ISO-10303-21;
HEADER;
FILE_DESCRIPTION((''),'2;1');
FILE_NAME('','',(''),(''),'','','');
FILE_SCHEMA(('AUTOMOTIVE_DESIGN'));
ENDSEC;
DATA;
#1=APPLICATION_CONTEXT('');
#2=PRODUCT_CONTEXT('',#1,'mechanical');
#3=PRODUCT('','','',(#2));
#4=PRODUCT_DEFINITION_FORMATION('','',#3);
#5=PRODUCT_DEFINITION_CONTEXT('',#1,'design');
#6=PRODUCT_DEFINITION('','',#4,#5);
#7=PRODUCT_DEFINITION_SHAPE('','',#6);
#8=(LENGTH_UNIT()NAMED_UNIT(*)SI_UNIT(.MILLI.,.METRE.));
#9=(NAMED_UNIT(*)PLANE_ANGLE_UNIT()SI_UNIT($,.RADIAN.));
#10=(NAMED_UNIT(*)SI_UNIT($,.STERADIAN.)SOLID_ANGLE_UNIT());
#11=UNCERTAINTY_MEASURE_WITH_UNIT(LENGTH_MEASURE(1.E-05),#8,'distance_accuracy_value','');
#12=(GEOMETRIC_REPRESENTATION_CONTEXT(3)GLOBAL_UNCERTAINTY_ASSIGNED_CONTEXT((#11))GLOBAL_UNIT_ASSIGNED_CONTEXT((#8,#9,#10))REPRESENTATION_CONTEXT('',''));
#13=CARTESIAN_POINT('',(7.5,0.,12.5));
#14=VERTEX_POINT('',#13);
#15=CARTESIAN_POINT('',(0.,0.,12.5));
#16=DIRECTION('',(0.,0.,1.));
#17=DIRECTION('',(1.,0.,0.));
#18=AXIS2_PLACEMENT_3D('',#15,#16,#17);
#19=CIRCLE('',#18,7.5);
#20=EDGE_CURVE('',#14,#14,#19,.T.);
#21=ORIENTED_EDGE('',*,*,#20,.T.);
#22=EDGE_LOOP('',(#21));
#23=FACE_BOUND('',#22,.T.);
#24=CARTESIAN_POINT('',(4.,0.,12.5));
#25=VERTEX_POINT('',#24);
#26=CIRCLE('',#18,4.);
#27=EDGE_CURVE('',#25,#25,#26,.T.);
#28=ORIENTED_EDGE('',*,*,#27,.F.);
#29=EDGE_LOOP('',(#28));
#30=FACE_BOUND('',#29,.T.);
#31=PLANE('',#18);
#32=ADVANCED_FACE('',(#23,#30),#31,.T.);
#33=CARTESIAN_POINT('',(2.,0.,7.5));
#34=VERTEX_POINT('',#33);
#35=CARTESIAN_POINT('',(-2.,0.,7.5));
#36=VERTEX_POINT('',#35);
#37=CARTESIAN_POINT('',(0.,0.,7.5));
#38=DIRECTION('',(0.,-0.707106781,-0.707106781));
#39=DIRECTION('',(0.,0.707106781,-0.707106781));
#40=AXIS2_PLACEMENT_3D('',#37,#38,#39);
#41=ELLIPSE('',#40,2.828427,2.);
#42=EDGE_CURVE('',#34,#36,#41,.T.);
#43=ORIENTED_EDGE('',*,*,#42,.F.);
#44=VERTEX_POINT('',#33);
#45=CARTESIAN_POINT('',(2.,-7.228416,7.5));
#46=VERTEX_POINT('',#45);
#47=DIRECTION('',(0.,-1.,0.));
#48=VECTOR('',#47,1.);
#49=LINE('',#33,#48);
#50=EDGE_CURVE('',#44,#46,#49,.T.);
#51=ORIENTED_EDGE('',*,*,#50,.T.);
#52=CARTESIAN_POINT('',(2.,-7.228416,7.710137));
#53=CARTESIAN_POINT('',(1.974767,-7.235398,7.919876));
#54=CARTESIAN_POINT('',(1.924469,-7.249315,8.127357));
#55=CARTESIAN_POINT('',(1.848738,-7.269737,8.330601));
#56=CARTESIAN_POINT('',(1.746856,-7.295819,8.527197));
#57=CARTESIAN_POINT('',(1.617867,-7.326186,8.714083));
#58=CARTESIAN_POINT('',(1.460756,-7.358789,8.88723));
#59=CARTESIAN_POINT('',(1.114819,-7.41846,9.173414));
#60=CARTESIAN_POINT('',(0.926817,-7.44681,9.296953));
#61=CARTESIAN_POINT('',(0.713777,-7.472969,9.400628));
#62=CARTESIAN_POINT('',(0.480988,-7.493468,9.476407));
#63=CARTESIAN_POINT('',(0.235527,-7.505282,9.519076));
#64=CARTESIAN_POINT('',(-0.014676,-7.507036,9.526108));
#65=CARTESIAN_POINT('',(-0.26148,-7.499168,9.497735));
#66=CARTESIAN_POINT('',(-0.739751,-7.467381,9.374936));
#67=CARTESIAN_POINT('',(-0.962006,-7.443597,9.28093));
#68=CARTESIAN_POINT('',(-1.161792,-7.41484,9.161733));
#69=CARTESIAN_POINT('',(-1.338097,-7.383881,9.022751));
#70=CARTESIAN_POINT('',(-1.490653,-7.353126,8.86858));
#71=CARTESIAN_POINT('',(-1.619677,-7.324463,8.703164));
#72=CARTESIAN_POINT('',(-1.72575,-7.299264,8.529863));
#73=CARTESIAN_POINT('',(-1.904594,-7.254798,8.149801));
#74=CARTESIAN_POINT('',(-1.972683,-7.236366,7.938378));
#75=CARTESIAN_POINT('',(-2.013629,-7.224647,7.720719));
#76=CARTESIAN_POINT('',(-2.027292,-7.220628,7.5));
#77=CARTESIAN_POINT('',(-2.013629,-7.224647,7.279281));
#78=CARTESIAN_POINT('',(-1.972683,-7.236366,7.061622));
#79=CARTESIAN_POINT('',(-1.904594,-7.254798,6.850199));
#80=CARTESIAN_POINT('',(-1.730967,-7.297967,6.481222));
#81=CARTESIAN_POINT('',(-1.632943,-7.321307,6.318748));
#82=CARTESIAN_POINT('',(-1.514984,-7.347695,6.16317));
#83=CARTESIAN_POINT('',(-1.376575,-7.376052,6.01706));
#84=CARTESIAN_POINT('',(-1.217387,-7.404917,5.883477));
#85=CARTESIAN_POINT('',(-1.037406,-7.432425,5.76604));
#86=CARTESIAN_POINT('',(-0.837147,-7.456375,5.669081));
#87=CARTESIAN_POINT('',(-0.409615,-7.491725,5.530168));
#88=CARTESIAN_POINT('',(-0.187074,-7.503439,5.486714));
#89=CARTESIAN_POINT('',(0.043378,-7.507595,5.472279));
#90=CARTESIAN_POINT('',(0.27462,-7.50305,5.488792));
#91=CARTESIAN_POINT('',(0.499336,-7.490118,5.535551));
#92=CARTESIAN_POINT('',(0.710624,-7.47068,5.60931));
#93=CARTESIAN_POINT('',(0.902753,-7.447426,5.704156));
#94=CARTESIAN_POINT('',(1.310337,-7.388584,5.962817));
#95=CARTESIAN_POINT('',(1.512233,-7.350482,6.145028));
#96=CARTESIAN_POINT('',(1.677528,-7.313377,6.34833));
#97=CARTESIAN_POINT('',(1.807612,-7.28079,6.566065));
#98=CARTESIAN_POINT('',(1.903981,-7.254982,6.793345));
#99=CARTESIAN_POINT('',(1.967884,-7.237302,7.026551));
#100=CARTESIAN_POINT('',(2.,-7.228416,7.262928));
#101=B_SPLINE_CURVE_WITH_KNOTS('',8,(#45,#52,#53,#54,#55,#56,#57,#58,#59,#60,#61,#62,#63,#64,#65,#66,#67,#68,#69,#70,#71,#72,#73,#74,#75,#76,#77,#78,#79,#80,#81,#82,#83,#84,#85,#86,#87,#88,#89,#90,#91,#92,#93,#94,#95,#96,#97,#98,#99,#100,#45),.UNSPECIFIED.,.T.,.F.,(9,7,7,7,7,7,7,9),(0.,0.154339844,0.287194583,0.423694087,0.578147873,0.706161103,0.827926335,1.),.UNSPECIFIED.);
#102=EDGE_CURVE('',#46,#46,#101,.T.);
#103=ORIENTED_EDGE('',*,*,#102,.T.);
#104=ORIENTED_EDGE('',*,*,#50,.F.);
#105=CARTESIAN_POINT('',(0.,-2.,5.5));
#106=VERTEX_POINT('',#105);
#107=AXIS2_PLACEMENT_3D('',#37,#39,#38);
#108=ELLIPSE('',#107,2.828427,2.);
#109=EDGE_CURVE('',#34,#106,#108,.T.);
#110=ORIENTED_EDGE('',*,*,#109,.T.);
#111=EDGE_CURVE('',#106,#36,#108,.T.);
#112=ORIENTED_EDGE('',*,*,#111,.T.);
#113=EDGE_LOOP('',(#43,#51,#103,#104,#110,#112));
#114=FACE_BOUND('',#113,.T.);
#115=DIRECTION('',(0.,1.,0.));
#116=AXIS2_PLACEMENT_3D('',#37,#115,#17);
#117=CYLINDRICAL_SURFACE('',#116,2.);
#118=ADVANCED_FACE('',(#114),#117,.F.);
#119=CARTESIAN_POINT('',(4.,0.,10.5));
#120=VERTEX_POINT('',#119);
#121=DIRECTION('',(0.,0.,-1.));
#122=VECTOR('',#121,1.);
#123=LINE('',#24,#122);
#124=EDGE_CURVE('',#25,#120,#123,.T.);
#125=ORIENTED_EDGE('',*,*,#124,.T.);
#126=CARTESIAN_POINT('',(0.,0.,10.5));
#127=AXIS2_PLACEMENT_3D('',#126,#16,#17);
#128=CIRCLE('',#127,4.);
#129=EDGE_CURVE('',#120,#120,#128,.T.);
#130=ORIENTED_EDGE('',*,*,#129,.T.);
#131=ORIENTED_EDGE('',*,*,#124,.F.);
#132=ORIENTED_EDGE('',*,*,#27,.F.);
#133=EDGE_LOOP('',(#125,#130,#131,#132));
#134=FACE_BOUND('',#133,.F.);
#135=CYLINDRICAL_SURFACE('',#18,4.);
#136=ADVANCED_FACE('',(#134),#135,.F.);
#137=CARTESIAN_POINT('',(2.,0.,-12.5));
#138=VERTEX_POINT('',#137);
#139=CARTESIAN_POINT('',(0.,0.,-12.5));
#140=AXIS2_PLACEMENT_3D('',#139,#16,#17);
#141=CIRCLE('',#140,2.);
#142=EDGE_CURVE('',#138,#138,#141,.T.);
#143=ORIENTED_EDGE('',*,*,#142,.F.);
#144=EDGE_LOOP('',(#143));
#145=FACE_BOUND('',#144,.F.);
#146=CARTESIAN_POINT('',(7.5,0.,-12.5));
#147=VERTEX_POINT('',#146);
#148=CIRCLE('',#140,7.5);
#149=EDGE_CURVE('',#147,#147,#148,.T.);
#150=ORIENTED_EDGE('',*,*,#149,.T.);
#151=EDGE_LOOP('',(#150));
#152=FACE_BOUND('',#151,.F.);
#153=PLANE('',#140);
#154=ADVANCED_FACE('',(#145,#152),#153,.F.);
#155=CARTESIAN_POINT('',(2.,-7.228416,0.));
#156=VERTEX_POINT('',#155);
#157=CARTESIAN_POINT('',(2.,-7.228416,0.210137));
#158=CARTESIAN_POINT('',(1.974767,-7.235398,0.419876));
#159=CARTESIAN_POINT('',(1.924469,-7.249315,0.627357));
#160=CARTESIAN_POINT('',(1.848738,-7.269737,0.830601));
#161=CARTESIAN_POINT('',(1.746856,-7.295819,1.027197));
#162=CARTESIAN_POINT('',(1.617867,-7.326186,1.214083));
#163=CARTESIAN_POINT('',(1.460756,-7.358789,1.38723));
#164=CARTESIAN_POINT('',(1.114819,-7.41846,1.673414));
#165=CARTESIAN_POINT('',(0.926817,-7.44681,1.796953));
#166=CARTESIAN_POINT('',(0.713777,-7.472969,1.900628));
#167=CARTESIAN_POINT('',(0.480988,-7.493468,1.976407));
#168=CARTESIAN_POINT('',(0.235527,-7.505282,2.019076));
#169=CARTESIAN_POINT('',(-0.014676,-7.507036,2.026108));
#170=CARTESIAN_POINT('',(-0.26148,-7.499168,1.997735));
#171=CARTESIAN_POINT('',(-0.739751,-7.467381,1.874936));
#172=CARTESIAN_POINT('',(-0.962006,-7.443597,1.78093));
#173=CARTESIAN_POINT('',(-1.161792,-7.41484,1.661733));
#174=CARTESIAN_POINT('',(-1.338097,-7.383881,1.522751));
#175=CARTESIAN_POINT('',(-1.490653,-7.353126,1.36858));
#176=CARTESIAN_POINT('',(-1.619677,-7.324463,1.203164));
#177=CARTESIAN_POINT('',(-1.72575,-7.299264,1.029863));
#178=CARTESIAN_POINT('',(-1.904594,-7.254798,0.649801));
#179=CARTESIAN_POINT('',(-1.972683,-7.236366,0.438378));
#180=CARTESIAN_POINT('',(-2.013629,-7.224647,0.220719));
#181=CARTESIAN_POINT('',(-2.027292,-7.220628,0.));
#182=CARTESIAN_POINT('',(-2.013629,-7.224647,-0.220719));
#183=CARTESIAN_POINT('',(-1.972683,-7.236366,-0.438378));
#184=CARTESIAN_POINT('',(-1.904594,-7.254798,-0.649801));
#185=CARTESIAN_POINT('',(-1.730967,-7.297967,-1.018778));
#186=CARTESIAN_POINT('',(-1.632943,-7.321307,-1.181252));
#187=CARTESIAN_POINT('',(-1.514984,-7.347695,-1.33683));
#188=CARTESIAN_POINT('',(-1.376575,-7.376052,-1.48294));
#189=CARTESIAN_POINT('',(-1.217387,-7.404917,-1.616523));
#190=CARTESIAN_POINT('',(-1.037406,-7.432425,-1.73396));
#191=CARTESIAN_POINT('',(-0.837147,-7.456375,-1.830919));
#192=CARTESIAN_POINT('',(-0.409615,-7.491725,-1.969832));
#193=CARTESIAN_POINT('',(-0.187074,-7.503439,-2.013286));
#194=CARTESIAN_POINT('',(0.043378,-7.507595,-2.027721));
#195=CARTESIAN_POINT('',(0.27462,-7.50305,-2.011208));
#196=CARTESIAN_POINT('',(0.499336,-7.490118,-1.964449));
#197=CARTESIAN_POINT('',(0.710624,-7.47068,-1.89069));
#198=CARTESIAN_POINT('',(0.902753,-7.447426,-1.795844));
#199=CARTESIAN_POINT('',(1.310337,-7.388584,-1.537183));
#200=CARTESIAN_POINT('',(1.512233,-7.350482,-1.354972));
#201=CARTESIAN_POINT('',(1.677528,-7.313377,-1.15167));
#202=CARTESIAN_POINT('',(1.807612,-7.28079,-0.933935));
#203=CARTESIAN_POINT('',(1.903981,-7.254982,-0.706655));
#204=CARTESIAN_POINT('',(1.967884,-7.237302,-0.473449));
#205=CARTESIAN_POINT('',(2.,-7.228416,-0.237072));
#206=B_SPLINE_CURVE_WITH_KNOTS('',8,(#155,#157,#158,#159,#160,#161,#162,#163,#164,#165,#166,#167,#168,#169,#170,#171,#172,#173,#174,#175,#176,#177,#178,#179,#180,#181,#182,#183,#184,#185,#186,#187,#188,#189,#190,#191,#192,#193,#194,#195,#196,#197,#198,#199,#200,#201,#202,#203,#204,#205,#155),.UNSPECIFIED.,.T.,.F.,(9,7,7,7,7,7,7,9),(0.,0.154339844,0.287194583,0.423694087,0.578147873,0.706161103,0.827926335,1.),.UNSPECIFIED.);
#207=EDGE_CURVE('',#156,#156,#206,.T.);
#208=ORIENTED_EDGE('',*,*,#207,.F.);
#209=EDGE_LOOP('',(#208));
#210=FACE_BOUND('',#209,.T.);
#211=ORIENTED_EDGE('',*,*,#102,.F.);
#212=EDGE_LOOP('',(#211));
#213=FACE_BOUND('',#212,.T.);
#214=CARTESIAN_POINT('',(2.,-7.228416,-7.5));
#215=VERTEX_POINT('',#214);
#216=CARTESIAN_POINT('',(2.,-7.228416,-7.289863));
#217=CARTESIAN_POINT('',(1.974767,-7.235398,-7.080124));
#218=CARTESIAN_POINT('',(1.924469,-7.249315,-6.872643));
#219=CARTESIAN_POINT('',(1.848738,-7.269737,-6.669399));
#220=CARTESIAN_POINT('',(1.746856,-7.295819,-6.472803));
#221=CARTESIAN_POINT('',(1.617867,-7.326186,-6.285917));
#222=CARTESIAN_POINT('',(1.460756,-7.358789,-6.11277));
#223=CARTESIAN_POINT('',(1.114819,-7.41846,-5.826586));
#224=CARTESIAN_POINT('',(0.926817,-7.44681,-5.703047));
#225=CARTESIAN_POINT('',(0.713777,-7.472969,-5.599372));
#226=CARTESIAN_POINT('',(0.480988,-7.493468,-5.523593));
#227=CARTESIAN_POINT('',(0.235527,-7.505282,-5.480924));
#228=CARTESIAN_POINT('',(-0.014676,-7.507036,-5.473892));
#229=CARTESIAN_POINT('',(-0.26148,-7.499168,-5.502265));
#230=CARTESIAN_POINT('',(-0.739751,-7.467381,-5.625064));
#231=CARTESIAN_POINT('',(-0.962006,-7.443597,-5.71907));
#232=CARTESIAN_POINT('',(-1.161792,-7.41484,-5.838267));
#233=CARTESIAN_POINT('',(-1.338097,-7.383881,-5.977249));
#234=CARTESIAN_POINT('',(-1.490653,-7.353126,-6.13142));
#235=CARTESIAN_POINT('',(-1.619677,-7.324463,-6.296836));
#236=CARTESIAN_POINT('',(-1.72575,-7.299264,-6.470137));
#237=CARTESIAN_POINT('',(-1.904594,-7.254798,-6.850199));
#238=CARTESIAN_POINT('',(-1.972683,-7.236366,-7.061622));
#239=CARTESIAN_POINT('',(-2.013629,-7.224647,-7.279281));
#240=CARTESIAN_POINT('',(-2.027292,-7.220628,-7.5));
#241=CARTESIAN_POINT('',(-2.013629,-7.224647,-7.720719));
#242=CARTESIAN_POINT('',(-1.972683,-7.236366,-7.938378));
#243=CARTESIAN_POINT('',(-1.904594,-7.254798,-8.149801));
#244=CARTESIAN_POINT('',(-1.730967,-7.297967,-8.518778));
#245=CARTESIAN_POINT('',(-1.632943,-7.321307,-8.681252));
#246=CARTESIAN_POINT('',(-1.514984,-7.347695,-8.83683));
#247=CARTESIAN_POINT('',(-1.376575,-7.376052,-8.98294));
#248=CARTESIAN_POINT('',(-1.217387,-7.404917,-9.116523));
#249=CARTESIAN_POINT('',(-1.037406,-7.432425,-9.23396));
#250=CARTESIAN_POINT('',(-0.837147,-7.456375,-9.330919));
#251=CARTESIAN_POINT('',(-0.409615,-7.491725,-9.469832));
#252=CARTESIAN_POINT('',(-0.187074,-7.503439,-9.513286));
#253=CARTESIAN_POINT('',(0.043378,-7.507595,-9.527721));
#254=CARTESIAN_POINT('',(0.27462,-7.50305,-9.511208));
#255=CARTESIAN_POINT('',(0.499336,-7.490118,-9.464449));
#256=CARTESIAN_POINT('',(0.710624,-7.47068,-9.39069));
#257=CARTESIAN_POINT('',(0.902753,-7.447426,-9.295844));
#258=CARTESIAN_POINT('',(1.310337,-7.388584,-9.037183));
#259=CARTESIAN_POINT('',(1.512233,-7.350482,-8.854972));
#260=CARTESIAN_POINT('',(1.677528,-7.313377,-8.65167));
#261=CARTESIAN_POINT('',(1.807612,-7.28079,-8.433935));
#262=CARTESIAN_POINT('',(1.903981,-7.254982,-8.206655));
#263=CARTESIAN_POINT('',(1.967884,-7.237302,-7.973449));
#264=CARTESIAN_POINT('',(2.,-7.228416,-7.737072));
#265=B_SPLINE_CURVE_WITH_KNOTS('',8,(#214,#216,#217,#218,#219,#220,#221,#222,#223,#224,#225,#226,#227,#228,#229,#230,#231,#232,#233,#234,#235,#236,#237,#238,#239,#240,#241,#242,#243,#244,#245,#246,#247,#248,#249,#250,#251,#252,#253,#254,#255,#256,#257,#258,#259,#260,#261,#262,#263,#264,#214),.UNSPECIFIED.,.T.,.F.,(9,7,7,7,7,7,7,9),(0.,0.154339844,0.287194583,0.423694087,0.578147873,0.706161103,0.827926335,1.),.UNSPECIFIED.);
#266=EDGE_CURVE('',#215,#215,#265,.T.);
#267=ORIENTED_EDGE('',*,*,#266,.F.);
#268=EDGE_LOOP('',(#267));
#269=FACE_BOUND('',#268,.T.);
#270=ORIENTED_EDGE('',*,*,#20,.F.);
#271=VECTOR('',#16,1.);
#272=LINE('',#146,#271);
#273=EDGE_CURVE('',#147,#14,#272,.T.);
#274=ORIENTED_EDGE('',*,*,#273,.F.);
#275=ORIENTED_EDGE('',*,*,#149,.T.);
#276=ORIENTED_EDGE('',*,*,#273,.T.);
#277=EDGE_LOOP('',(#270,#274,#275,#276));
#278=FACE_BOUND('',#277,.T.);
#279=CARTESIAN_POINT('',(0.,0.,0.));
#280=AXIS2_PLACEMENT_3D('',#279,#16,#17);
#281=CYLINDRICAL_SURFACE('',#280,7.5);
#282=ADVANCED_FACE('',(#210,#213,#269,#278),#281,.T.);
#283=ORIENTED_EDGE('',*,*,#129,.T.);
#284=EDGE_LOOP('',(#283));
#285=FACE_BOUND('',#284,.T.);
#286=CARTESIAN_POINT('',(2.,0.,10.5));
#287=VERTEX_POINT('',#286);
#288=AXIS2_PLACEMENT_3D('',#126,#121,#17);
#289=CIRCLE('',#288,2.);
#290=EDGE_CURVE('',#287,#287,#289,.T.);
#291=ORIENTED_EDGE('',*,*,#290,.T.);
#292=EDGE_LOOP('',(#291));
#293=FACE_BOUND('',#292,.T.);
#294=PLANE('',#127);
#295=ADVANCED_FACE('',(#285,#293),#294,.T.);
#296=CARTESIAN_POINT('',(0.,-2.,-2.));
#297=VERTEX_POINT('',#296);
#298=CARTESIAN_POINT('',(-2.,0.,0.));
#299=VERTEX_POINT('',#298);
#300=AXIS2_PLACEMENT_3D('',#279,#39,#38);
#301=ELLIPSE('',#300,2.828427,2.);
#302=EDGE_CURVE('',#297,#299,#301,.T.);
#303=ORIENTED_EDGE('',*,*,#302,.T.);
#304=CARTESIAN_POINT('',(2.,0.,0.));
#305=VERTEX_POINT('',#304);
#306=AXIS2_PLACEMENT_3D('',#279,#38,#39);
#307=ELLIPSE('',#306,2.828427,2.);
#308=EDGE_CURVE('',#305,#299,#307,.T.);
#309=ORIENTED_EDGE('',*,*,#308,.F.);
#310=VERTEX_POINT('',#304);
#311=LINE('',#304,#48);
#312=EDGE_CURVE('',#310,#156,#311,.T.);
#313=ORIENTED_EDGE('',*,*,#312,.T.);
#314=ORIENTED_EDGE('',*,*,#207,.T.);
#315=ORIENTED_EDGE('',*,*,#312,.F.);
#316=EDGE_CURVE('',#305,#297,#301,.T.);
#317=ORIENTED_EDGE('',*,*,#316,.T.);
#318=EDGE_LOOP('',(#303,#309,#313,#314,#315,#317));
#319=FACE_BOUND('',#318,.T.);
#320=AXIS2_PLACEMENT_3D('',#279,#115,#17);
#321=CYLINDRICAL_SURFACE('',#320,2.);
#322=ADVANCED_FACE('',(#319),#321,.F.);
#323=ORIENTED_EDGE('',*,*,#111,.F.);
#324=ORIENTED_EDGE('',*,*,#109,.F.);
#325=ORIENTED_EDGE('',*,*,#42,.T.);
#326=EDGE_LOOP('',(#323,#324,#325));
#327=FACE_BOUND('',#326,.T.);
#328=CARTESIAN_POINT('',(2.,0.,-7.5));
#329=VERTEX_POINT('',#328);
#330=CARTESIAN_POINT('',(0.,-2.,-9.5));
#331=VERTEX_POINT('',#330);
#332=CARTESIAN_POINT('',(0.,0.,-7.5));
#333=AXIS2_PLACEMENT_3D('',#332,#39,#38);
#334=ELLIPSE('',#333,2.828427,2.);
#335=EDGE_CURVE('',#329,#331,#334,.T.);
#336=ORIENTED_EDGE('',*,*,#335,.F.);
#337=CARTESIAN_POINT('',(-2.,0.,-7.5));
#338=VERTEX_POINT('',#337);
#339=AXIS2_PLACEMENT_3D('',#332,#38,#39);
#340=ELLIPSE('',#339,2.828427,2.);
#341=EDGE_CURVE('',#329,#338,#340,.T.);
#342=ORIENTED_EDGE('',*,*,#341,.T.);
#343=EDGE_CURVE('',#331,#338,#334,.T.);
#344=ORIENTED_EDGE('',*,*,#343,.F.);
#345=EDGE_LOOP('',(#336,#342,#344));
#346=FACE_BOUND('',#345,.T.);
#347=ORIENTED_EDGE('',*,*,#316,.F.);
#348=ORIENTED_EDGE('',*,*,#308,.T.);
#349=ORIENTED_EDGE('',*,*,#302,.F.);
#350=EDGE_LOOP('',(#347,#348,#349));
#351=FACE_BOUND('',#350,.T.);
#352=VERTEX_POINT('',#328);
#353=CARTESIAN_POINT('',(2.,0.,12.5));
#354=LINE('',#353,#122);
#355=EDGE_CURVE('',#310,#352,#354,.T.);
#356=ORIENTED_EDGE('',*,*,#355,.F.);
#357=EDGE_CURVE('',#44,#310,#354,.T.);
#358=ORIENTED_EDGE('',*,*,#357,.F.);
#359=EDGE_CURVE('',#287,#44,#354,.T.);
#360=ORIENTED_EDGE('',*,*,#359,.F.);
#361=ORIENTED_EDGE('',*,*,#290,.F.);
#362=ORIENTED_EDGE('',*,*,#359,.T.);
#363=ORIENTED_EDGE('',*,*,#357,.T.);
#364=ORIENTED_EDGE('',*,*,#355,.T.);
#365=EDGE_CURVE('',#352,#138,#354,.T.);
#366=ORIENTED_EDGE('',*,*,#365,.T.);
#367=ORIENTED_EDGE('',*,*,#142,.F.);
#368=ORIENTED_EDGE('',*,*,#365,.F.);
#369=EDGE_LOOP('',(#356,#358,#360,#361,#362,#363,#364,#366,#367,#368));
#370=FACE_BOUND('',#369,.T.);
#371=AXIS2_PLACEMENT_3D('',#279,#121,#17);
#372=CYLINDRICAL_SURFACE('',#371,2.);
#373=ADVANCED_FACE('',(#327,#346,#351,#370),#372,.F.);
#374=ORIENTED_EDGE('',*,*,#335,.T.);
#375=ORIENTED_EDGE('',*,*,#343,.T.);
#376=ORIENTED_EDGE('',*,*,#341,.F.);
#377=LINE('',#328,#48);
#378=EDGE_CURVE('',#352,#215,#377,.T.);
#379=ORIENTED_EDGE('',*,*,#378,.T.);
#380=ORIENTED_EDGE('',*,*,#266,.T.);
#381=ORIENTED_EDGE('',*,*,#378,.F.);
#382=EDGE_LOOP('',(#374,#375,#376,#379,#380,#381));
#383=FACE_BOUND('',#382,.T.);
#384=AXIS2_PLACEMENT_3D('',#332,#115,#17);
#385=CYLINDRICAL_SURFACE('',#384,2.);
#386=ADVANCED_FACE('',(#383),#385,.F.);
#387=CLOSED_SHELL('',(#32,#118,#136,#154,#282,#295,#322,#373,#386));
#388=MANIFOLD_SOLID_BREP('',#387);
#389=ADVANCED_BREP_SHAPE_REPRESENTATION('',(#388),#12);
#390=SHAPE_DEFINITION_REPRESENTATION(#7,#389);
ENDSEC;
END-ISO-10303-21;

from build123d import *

# Parameters (mm, degrees)
F0_R     = 7.5
F0_R_2   = 2
F1_DEPTH = 12.5
F2_R     = 2
F3_DEPTH = 25
F4_R     = 4
F5_DEPTH = 2


with BuildPart() as f1:
    # F0 (on Top) → F1 (new body, symmetric)
    with BuildSketch(Plane.XY):
        Circle(F0_R)
        Circle(F0_R_2, mode=Mode.SUBTRACT)
    extrude(amount=F1_DEPTH, both=True)

    # F2 (on Front) → F3 (cut)
    with BuildSketch(Plane.XZ):
        with Locations((0, 7.5)):
            Circle(F2_R)
        with Locations((0, -7.5)):
            Circle(F2_R)
        Circle(F2_R)
    extrude(amount=F3_DEPTH, mode=Mode.SUBTRACT)

    # F4 (on face) → F5 (cut)
    with BuildSketch(Plane.XY.offset(12.5)):
        Circle(F4_R)
    extrude(amount=-F5_DEPTH, mode=Mode.SUBTRACT)


solid = f1.part
